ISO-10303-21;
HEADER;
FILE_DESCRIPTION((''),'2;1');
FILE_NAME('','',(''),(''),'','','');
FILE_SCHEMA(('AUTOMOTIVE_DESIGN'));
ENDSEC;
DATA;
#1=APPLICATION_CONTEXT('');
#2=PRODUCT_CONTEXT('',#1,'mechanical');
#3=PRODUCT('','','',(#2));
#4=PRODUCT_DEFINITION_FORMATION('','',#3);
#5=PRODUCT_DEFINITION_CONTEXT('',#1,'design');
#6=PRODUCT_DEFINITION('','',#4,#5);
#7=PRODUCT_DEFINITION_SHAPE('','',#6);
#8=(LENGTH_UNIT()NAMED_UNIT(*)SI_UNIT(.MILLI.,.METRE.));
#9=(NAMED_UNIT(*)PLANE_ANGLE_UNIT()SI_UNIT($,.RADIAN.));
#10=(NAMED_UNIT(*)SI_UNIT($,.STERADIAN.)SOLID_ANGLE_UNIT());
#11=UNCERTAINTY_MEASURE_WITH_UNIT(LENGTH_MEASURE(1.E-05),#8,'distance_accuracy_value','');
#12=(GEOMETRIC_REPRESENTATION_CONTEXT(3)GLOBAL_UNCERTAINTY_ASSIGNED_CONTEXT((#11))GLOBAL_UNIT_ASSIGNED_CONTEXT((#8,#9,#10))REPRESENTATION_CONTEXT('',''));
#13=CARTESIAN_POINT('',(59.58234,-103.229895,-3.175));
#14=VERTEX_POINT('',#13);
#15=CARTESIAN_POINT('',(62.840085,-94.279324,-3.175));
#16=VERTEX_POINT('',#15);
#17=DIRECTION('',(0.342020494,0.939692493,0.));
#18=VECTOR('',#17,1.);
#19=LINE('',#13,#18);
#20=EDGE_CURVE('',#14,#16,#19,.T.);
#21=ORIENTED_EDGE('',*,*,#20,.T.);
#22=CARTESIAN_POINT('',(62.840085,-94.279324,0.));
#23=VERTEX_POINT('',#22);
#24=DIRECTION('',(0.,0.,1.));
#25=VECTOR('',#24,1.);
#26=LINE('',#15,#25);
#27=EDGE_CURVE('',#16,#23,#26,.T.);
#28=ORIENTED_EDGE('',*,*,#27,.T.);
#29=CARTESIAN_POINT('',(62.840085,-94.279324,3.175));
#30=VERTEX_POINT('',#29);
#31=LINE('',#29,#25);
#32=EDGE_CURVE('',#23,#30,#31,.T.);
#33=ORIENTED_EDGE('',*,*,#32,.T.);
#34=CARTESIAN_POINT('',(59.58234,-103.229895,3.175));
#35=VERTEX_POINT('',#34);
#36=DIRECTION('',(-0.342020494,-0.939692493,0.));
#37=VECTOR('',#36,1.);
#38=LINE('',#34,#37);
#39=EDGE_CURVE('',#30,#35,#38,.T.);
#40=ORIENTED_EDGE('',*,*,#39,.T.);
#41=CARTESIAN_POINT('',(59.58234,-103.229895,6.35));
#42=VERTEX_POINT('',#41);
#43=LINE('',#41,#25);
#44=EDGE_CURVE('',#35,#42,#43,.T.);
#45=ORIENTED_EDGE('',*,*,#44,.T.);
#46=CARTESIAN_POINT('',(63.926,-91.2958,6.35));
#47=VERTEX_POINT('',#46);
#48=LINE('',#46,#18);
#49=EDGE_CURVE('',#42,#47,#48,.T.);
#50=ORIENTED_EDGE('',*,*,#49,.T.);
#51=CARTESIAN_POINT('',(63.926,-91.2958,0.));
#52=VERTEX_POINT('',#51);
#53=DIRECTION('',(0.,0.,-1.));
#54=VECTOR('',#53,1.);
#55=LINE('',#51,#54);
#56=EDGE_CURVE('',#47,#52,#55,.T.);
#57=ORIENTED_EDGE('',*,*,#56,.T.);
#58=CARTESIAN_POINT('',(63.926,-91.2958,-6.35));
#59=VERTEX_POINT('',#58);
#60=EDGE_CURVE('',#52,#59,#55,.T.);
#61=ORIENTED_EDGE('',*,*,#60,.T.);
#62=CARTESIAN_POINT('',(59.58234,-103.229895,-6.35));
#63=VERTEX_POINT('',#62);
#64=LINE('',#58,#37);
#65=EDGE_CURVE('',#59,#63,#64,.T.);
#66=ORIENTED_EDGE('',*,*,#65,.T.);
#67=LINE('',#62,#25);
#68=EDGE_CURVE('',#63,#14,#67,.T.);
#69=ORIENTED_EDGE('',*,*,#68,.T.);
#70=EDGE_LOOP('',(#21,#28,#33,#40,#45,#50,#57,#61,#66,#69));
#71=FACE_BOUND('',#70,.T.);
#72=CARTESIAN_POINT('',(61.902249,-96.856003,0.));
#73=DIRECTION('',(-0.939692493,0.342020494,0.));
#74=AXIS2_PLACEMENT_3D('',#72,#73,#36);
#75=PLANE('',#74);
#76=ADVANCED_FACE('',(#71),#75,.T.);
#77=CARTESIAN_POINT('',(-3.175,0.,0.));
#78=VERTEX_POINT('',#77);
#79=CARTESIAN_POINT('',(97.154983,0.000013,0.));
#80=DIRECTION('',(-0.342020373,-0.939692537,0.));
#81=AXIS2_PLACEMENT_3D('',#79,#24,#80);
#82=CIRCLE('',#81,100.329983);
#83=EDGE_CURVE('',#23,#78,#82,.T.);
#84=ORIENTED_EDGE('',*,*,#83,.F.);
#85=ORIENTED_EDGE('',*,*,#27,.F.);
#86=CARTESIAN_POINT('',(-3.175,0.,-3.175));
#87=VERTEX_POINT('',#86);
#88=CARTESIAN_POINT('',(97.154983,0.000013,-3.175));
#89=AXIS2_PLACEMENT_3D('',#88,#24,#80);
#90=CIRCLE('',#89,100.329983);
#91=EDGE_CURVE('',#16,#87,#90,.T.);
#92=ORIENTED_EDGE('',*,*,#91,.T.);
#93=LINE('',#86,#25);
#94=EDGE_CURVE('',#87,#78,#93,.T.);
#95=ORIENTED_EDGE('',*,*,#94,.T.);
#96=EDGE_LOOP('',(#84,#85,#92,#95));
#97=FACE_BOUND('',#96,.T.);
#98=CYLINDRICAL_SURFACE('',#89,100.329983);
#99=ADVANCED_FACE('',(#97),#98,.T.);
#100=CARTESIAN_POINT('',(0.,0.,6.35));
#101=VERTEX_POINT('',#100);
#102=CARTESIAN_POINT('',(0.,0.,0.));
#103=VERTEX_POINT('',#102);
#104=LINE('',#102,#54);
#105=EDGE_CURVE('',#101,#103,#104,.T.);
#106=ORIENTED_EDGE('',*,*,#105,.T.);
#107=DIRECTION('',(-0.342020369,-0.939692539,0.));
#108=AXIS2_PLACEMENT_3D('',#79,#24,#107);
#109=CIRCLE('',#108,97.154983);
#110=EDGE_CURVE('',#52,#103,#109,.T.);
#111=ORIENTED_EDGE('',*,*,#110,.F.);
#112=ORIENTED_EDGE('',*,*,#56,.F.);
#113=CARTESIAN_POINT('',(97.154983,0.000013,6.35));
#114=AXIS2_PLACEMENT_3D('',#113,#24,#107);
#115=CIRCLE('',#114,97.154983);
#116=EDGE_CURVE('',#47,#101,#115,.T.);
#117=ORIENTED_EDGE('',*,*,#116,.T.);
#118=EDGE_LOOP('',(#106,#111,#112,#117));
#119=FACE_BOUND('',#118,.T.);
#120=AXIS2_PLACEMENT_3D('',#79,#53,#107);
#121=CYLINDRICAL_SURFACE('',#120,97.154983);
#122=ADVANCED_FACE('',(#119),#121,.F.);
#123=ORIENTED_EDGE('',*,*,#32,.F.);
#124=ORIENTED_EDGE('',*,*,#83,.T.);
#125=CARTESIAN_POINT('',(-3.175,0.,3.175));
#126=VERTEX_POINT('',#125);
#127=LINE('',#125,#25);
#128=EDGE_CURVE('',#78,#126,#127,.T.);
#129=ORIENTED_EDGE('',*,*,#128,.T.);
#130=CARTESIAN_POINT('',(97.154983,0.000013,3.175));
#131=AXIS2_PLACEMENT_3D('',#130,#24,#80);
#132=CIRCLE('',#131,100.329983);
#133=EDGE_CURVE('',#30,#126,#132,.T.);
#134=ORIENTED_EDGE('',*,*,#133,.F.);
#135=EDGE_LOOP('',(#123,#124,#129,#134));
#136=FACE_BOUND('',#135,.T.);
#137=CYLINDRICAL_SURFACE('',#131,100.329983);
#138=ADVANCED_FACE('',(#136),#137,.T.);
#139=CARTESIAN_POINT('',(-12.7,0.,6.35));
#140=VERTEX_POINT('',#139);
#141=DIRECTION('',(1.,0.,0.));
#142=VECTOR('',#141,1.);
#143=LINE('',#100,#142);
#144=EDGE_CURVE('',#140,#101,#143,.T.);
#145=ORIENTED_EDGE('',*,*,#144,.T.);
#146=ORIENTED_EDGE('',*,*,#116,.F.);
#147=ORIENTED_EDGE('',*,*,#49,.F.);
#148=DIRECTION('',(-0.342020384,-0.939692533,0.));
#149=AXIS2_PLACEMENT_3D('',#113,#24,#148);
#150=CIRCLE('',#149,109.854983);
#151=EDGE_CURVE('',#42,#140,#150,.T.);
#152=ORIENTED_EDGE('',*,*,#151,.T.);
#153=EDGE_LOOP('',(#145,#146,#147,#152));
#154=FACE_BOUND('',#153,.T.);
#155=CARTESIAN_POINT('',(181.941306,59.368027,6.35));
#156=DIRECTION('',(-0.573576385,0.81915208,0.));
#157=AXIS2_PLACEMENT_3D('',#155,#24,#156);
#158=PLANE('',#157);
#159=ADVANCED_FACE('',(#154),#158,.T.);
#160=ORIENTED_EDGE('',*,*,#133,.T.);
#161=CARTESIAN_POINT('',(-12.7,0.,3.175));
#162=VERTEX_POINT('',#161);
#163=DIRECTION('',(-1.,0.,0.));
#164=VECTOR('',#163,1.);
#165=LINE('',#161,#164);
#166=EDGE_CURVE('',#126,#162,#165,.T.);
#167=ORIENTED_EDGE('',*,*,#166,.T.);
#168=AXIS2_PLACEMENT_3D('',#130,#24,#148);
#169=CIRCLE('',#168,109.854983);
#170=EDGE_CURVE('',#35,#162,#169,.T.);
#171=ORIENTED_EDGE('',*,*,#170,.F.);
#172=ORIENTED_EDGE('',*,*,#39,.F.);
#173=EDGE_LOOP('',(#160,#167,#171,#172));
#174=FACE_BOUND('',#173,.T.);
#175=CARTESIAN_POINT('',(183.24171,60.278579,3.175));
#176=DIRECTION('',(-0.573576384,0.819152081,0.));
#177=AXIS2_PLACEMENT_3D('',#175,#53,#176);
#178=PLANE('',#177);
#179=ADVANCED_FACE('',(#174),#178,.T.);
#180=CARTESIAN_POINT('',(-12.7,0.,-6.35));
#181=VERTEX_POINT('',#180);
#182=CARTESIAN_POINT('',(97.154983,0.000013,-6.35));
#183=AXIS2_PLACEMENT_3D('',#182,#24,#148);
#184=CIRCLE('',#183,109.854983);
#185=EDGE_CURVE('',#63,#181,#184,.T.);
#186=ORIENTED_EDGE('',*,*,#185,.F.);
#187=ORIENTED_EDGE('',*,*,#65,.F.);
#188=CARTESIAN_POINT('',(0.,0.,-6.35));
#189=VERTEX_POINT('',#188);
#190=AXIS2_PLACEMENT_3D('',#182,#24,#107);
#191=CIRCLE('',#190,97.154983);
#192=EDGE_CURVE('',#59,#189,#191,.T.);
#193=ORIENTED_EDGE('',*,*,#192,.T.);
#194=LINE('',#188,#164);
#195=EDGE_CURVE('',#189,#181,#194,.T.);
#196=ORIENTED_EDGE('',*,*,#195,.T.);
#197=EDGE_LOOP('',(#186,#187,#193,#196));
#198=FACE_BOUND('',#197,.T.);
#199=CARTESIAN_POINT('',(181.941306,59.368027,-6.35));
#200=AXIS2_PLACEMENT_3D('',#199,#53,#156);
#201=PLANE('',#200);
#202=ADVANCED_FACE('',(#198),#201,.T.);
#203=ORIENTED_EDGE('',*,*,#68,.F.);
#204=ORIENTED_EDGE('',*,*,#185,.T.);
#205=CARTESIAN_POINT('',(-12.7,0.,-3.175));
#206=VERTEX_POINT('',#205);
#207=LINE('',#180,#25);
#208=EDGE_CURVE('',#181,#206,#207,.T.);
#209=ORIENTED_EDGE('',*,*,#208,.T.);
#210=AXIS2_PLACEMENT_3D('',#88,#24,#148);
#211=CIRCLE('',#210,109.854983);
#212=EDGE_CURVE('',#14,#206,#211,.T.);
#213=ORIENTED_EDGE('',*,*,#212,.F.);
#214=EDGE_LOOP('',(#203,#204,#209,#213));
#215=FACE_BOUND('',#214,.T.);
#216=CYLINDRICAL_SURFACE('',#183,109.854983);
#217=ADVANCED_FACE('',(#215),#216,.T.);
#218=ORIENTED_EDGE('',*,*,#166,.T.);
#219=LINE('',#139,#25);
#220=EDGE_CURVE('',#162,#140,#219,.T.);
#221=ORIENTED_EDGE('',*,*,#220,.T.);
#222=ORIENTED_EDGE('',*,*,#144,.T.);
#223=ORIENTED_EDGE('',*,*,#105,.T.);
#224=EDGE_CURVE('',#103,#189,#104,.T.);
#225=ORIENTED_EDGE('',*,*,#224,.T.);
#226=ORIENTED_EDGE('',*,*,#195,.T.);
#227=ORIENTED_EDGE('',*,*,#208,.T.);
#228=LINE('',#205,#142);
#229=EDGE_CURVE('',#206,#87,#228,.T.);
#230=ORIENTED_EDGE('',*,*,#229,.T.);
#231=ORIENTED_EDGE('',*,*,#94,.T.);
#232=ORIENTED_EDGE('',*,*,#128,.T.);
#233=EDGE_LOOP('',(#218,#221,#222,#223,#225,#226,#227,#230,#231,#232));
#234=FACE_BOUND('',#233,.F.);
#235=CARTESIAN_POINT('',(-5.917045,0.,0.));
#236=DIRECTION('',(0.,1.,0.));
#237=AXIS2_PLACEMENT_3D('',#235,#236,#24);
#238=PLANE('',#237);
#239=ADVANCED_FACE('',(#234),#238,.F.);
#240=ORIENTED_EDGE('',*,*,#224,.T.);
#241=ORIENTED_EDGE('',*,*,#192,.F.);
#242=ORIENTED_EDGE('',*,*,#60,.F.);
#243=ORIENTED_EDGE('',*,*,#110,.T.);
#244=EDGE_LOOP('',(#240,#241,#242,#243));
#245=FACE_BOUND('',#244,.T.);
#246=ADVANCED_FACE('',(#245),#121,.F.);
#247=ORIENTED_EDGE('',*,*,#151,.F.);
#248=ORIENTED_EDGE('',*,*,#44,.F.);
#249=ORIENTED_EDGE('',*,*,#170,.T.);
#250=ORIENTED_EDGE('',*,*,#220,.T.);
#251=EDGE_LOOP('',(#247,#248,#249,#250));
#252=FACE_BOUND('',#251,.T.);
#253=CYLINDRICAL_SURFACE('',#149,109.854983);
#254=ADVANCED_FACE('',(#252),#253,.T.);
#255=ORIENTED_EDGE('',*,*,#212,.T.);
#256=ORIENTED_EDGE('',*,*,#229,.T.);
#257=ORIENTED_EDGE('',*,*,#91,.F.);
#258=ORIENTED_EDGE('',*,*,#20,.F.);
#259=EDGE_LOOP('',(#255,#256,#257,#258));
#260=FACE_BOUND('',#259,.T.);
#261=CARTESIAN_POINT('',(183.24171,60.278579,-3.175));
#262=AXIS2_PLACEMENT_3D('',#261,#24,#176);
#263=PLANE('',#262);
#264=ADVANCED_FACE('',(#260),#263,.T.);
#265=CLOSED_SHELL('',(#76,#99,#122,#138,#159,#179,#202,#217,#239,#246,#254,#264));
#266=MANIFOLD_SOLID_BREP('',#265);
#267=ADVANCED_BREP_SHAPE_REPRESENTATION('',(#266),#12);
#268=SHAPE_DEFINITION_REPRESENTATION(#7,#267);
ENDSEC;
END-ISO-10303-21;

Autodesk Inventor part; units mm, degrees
ref_plane "YZ Plane" through (0, 0, 0) normal (1, 0, 0) x (0, 1, 0)
ref_plane "XZ Plane" through (0, 0, 0) normal (0, 1, 0) x (-1, 0, 0)
ref_plane "XY Plane" through (0, 0, 0) normal (0, 0, 1) x (1, 0, 0)
sketch "Sketch1" plane through (0, 0, 0) normal (0, 1, 0) x (-1, 0, 0)
  line L0 (0, 0) -> (0, 6.35)
  line L1 (0, 6.35) -> (12.7, 6.35)
  line L2 (12.7, 6.35) -> (12.7, 3.175)
  line L3 (12.7, 3.175) -> (3.175, 3.175)
  line L4 (15.24, 0) -> (-2.54, 0) construction
  line L5 (3.175, 3.175) -> (3.175, 0)
  line L6 (0, 0) -> (0, -6.35)
  line L7 (0, -6.35) -> (12.7, -6.35)
  line L8 (12.7, -6.35) -> (12.7, -3.175)
  line L9 (12.7, -3.175) -> (3.175, -3.175)
  line L10 (3.175, -3.175) -> (3.175, 0)
  dimension "d0" = 6.35
  dimension "d1" = 3.175
  dimension "d2" = 12.7
  dimension "d3" = 3.175
sketch "Sketch2" plane through (0, 0, 0) normal (0, 0, 1) x (1, 0, 0)
  line L0 (-75.0085, 0) -> (283.7112, 0) projected
  arc A0 (63.926, -91.2958) -> (0, 0) centre (97.155, 0) ccw
  line L1 (97.155, 0) -> (63.926, -91.2958) construction
  dimension "d4" = 194.31
  dimension "d6" = 70
sweep "Sweep1" add profiles "Sketch1" path "Sketch2" path curves A0
properties part number "3510K4"
